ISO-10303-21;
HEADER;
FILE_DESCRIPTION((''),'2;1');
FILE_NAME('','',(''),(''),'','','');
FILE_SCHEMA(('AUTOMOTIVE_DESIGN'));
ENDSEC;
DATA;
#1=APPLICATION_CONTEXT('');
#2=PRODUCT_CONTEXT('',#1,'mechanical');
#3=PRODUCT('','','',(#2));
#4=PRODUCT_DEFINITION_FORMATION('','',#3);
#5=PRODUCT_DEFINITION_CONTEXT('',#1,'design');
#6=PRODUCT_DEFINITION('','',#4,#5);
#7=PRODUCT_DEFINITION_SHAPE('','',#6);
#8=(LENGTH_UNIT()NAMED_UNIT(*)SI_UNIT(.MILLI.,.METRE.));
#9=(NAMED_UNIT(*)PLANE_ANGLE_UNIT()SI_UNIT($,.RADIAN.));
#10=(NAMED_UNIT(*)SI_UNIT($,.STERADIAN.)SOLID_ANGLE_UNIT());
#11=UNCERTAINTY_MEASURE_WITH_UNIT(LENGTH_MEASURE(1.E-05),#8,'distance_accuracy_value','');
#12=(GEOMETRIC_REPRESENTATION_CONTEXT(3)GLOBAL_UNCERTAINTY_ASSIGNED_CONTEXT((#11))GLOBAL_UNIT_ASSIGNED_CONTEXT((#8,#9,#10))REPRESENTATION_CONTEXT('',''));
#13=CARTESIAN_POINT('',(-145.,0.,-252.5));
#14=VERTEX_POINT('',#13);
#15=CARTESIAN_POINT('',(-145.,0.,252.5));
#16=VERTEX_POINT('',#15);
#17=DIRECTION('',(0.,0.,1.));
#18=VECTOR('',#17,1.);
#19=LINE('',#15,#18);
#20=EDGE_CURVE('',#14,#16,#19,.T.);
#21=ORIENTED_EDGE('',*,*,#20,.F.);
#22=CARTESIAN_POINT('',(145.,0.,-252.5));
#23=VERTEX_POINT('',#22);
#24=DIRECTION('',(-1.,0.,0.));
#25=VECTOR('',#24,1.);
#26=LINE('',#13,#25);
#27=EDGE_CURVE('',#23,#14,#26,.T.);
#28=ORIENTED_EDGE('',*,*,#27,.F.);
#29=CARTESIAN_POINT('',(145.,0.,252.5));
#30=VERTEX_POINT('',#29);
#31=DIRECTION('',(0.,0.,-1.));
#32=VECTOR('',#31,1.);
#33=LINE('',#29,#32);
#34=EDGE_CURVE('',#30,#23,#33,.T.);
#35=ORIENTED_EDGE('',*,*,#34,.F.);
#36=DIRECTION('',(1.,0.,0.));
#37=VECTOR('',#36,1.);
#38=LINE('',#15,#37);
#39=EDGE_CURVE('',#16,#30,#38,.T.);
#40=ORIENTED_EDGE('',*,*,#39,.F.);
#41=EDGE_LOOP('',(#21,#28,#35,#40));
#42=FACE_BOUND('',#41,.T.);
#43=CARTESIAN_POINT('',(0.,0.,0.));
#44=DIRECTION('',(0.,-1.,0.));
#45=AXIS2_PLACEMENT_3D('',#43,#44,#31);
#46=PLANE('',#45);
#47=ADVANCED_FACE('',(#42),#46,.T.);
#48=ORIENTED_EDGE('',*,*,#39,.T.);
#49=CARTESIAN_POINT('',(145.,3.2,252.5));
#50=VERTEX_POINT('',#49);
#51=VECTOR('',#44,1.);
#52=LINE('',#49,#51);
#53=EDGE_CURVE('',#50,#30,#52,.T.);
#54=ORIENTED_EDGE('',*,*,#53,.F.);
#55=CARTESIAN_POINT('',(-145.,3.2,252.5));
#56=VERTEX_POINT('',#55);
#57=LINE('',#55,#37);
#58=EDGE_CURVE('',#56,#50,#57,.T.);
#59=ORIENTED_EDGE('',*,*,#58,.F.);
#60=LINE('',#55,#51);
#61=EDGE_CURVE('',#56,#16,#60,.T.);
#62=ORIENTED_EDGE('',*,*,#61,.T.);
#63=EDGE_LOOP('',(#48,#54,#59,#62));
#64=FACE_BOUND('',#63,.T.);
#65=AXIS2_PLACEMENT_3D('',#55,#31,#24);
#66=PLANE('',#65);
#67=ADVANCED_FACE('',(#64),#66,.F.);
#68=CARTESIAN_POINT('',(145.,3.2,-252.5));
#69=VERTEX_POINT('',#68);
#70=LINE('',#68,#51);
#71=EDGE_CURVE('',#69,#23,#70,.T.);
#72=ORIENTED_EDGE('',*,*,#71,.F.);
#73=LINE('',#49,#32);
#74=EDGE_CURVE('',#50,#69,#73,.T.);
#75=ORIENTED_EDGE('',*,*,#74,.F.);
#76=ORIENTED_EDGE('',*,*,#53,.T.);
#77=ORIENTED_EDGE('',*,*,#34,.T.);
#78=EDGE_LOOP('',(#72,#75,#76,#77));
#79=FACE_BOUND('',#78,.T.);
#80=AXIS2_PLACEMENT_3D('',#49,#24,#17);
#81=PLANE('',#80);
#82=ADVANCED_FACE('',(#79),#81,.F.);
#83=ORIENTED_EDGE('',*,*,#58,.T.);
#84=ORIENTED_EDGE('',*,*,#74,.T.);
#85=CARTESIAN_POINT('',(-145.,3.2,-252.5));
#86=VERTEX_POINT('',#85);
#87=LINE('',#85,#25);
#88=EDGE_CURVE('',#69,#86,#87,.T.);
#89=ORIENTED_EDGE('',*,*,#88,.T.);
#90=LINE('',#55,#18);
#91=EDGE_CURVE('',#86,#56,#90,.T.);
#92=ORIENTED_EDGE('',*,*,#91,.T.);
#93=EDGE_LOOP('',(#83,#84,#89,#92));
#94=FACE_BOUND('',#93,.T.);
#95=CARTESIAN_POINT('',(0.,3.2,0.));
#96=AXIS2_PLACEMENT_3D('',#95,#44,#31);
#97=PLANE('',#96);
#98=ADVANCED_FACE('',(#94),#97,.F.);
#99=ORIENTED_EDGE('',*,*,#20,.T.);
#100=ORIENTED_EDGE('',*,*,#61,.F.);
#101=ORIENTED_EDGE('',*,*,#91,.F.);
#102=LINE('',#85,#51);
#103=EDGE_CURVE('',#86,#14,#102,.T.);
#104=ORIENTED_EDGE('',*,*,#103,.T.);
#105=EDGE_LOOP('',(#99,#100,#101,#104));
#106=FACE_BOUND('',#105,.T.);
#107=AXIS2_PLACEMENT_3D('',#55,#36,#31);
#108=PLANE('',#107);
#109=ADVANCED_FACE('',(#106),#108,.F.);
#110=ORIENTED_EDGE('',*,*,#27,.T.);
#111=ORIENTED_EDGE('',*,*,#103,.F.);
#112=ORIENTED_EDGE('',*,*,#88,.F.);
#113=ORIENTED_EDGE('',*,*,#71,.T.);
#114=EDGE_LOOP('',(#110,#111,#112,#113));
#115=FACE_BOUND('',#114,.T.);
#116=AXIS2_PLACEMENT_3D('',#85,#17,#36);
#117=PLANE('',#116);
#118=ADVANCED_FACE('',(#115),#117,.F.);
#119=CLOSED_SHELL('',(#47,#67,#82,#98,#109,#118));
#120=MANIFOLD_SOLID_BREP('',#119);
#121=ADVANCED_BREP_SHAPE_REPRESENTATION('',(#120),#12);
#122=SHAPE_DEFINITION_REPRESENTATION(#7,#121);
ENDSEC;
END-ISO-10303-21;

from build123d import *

# Parameters (mm, degrees)
SKETCH1_W           = 290
SKETCH1_H           = 505
BOSS_EXTRUDE1_DEPTH = 3.2


with BuildPart() as part:
    # Sketch1 → Boss-Extrude1 (new body)
    with BuildSketch(Plane(origin=(0, 0, 0), x_dir=(1, 0, 0), z_dir=(0, 1, 0))):
        Rectangle(SKETCH1_W, SKETCH1_H)
    extrude(amount=BOSS_EXTRUDE1_DEPTH)


solid = part.part
